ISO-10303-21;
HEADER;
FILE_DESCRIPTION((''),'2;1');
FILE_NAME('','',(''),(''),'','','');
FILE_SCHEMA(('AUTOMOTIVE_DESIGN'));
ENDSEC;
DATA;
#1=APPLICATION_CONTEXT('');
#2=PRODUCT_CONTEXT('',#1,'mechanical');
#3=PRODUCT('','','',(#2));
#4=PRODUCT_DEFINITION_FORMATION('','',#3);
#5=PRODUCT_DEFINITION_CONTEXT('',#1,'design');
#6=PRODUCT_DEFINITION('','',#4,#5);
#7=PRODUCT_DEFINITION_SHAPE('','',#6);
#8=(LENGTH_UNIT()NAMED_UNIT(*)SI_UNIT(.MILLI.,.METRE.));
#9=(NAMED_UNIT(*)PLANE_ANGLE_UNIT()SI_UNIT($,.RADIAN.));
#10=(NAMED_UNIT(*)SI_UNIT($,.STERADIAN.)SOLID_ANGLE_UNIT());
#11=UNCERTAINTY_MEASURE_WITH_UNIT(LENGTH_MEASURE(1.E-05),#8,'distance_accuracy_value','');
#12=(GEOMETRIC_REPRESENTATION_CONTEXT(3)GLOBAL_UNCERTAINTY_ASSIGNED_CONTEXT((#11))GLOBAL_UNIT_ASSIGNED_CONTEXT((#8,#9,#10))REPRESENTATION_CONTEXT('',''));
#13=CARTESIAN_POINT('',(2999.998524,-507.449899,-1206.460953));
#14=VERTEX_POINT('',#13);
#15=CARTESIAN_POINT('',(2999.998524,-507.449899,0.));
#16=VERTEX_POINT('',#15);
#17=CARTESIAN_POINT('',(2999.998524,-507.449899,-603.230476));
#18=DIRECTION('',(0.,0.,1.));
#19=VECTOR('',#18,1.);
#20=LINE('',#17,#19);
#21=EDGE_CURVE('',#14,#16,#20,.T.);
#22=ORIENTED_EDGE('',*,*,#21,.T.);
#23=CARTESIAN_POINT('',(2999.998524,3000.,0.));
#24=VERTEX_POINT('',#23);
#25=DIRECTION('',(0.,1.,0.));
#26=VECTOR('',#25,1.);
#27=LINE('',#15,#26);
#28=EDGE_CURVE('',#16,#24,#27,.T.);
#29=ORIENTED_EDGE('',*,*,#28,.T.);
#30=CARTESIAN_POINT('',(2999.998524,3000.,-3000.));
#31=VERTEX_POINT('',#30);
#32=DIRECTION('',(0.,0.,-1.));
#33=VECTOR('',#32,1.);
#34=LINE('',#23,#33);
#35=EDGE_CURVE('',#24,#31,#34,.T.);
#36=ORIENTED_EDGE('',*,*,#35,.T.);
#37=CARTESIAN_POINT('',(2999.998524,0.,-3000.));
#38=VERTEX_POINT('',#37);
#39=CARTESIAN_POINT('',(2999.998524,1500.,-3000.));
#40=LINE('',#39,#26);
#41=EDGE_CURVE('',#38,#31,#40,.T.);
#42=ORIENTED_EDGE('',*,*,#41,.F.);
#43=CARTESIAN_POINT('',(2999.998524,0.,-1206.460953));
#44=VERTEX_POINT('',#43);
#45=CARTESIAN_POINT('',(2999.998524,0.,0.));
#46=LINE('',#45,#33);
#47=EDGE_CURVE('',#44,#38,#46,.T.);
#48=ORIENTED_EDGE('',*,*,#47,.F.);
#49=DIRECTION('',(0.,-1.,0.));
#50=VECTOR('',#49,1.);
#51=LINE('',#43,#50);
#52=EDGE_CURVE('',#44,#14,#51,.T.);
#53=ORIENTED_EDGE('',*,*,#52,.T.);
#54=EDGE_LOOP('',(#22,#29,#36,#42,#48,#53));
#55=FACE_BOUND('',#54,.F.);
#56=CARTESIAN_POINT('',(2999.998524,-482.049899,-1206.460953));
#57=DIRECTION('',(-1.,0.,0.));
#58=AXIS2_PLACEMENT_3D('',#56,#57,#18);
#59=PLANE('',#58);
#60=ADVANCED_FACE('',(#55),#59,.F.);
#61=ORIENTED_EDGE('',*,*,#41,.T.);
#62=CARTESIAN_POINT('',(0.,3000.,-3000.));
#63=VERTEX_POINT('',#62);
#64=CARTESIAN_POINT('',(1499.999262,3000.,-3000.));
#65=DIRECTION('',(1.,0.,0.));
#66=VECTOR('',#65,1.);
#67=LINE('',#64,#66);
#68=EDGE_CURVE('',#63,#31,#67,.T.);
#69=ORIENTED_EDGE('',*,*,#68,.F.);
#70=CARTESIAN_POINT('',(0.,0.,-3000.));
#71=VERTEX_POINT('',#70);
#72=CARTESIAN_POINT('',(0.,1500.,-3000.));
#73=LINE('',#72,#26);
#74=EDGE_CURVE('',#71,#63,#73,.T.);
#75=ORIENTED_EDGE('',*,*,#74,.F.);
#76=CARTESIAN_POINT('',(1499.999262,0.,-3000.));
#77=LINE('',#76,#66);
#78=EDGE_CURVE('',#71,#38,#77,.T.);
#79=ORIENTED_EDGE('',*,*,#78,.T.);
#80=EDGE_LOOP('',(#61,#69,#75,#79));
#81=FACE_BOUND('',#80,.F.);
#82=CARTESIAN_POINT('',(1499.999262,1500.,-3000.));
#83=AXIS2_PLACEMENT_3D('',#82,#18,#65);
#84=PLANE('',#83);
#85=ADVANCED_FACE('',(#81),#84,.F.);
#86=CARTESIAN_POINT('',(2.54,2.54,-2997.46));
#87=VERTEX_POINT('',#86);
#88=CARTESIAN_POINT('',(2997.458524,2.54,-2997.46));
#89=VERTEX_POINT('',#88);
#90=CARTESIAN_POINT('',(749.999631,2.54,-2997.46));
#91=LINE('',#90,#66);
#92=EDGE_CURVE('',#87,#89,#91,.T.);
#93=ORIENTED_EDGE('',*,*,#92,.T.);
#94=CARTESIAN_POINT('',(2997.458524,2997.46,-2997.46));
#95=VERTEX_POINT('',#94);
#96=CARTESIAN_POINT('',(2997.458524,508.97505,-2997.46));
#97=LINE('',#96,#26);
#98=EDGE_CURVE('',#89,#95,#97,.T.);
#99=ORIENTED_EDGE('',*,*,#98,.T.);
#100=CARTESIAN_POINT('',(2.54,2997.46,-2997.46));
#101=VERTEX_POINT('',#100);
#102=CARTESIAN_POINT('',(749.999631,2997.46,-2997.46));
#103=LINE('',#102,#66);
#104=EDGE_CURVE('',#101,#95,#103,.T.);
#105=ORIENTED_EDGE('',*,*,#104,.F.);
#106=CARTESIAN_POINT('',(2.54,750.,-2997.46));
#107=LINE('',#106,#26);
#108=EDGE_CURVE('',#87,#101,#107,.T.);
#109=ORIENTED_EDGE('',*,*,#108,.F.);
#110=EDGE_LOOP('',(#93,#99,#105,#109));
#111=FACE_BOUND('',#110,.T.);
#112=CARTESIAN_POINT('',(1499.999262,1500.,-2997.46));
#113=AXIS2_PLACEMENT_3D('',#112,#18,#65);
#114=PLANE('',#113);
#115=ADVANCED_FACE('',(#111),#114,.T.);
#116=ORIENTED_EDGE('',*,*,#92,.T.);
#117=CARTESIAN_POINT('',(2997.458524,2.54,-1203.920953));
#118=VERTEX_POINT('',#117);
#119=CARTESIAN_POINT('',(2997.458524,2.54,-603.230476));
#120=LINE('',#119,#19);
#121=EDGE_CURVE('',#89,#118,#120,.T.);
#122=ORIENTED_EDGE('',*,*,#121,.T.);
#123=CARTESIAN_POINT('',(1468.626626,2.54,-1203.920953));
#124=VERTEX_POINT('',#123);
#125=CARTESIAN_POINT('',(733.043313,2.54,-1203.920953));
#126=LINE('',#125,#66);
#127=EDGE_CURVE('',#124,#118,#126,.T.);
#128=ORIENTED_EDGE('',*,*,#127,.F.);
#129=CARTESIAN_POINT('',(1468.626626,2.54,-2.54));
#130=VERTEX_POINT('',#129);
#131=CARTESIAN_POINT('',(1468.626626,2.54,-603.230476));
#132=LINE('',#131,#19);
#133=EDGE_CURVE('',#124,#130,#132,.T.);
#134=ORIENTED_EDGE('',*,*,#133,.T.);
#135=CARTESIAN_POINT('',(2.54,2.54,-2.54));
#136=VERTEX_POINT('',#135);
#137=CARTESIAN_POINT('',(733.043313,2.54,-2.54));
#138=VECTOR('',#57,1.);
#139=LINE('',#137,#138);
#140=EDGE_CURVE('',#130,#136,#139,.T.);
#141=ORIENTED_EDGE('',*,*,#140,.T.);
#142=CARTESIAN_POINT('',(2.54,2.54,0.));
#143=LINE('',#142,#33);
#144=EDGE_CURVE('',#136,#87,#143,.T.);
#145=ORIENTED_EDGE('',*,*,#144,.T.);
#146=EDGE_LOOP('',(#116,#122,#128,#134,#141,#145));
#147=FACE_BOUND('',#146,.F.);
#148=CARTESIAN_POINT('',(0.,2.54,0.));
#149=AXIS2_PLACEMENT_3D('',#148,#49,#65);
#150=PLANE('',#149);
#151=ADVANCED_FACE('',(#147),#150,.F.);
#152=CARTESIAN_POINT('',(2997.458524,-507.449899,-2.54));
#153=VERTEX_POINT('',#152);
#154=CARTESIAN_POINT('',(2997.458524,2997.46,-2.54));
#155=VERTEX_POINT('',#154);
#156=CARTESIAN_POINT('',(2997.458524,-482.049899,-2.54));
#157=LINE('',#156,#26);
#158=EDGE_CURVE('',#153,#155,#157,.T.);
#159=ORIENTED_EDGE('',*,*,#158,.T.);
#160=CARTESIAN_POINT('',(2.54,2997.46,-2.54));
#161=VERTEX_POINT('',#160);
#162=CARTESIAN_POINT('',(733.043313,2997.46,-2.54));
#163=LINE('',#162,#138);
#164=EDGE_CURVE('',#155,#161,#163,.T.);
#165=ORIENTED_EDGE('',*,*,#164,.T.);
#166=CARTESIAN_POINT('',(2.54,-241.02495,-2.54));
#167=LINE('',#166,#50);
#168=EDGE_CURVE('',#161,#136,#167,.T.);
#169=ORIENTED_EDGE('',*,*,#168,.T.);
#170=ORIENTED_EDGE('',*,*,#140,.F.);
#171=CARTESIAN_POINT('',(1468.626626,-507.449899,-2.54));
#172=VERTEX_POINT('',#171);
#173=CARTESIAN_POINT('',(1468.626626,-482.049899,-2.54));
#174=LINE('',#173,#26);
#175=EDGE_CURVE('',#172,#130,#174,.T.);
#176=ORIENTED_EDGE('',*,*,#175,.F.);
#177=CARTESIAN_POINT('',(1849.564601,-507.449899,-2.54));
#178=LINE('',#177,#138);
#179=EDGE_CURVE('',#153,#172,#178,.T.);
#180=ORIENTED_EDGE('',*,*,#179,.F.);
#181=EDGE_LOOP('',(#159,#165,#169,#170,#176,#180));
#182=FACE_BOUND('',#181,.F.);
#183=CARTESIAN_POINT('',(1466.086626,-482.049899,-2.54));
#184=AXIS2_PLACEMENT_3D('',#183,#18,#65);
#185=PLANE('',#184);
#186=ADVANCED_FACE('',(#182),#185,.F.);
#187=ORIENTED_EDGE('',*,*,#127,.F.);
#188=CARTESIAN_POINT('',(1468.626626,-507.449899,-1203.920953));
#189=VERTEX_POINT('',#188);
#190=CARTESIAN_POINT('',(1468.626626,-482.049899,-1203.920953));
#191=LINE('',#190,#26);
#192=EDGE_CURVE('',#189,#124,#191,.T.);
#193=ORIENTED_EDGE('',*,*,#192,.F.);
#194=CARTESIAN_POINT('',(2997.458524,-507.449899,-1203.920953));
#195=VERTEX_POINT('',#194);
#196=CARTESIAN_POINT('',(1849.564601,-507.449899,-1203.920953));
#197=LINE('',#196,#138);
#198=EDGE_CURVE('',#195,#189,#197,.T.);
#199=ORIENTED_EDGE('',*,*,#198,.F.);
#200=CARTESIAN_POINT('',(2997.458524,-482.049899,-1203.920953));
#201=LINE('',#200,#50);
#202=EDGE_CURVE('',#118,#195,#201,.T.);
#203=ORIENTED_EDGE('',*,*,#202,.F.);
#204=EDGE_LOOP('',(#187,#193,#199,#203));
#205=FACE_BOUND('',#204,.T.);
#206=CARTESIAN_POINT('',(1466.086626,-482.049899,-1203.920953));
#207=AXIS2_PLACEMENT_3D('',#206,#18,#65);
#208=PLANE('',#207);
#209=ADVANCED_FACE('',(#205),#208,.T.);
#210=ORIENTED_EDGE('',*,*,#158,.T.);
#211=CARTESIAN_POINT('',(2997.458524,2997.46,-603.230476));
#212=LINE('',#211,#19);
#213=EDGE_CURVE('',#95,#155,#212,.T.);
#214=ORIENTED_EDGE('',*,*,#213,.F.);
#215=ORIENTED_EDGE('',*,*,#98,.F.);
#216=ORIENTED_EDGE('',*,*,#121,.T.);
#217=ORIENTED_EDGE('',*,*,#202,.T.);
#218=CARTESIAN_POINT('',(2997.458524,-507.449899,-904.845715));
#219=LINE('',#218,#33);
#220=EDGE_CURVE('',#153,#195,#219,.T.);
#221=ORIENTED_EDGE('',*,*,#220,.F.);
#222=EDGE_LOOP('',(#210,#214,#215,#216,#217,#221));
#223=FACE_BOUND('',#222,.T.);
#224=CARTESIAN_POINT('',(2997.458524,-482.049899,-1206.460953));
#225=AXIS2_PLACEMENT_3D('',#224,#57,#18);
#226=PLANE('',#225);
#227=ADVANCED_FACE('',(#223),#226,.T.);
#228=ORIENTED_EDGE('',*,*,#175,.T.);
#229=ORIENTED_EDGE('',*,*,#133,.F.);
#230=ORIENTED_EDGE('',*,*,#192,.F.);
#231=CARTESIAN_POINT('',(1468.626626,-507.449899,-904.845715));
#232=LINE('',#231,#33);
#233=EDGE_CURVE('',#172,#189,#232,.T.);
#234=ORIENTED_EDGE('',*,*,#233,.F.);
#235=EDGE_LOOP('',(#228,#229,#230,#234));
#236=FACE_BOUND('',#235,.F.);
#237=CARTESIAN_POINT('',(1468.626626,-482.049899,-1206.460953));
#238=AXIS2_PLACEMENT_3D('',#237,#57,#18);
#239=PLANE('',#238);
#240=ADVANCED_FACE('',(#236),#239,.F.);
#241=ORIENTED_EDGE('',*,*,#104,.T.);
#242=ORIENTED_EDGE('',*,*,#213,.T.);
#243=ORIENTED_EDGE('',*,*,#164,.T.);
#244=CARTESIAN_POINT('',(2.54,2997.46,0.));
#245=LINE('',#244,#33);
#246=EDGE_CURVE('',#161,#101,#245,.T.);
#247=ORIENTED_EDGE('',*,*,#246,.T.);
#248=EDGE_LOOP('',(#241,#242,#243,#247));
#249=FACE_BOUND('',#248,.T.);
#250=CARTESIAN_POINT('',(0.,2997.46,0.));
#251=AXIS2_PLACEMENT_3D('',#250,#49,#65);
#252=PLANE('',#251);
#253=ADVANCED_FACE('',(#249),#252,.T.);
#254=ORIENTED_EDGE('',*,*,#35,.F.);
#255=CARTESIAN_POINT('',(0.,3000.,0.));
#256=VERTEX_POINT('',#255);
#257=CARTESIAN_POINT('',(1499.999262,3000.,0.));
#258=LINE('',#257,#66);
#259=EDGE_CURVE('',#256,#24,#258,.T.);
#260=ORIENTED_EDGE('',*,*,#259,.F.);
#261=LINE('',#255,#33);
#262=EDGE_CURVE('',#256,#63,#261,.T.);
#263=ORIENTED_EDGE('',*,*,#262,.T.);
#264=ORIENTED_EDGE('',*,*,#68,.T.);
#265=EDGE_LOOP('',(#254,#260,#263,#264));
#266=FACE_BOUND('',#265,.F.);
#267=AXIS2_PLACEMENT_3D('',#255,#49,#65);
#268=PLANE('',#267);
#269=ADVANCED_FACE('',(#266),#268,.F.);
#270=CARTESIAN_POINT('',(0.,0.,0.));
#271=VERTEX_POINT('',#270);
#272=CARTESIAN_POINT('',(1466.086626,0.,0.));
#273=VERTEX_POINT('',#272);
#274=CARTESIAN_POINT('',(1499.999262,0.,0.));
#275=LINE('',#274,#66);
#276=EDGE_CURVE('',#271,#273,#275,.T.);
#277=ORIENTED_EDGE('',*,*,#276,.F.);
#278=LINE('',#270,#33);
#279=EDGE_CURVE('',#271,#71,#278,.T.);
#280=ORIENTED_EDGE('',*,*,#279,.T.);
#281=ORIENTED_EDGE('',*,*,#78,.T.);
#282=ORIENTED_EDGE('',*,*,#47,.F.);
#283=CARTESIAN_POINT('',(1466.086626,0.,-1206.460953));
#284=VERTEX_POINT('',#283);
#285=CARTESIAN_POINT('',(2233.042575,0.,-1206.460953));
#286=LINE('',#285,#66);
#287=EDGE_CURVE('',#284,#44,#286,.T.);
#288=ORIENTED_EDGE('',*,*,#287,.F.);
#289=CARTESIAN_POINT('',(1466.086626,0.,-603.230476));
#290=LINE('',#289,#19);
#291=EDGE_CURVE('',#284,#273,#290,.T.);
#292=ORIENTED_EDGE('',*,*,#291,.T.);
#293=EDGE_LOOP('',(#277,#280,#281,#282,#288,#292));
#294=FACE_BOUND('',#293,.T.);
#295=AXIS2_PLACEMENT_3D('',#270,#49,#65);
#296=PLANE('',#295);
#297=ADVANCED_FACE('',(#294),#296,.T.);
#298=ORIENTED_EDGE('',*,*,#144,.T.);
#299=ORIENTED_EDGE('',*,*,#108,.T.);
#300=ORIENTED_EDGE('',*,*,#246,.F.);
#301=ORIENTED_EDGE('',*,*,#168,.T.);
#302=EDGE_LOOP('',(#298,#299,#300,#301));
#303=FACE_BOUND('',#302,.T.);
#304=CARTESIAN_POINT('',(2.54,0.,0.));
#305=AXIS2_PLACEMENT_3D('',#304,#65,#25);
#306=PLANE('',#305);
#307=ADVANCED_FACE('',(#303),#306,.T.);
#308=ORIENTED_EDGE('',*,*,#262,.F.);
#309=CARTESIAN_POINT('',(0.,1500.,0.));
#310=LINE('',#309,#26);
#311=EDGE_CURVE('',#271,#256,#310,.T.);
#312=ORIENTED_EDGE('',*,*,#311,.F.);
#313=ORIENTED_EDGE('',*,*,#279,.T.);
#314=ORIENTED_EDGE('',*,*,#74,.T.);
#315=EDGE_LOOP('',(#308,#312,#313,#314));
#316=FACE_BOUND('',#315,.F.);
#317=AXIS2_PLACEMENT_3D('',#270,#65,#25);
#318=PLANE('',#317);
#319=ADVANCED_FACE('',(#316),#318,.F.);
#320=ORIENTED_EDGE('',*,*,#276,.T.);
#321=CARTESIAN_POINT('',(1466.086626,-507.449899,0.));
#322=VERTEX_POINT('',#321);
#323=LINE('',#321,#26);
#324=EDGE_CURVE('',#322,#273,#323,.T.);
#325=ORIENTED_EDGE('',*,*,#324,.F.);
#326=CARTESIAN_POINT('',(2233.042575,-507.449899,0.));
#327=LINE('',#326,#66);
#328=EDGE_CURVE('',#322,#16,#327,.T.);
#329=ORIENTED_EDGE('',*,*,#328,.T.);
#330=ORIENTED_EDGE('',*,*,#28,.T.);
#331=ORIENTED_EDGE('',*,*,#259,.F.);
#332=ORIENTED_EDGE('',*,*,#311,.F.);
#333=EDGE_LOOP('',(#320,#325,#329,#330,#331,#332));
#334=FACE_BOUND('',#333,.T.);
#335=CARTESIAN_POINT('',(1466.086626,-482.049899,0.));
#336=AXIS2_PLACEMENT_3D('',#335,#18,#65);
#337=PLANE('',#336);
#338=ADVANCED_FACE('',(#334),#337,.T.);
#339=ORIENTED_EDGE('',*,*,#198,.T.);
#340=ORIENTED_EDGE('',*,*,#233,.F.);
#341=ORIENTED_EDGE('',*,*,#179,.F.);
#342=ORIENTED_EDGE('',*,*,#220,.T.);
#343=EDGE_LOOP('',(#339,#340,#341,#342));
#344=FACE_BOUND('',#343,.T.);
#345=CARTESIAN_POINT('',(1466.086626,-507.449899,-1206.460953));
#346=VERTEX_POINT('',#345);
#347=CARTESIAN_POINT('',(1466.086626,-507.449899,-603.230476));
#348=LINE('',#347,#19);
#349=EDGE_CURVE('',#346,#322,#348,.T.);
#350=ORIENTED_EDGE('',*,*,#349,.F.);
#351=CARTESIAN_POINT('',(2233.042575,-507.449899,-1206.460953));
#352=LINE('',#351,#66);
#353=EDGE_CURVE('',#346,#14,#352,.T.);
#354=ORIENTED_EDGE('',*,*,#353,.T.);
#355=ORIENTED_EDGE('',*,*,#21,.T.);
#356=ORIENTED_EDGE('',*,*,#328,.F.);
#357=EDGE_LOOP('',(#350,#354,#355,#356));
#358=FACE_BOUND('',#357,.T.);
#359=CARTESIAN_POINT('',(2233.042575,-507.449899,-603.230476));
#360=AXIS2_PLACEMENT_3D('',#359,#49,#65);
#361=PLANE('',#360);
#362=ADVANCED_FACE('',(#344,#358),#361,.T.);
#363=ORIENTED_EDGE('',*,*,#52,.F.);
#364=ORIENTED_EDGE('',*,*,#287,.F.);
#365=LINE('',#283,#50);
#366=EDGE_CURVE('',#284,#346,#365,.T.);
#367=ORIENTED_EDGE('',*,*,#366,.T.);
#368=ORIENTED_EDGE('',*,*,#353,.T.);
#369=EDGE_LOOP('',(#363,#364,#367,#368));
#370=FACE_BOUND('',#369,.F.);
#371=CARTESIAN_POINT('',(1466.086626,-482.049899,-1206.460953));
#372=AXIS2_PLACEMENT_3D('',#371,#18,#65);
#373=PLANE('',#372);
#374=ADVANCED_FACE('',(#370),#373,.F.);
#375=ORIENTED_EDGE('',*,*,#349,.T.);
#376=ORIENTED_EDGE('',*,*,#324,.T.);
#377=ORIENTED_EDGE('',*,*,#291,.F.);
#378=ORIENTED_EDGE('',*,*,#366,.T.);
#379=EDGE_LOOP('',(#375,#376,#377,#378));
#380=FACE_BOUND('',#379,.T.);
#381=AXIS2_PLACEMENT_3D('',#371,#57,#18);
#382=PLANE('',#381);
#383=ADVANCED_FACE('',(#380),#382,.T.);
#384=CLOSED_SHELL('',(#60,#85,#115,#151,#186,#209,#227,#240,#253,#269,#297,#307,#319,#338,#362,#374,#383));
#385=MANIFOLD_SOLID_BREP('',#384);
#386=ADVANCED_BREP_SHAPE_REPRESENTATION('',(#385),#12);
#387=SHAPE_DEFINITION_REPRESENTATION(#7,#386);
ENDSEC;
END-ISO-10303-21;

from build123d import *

# Parameters (mm, degrees)
F0_W     = 2999.9985240894
F0_H     = 3000
F2_DEPTH = 3000
F3_W     = 1533.9118980365
F3_H     = 1206.4609527588
F4_DEPTH = 456.6498994827
F6_DEPTH = 7.7816080302
F7_DEPTH = 25.4
F8_DEPTH = 25.4
F9_T     = -2.54


with BuildPart() as f2:
    # F0 (on Top) → F2 (new body)
    with BuildSketch(Plane.XY):
        with Locations((1499.9992620447, 1500)):
            Rectangle(F0_W, F0_H)
    extrude(amount=-F2_DEPTH)

    # F3 (on face) → F4 (join)
    with BuildSketch(Plane.XZ):
        with Locations((2233.0425750711, -603.2304763794)):
            Rectangle(F3_W, F3_H)
    extrude(amount=F4_DEPTH)

    # F6 (add): a face of the model
    f6_faces = [f2.faces().sort_by_distance(p)[0] for p in [
        (2233.0425750711, -456.6498994827, -603.2304763794),
    ]]
    extrude(f6_faces, amount=-F6_DEPTH)

    # F7 (add): a face of the model
    f7_faces = [f2.faces().sort_by_distance(p)[0] for p in [
        (2233.0425750711, -456.6498994827, -603.2304763794),
    ]]
    extrude(f7_faces, amount=F7_DEPTH)

    # F8 (add): a face of the model
    f8_faces = [f2.faces().sort_by_distance(p)[0] for p in [
        (2233.0425750711, -482.0498994827, -603.2304763794),
    ]]
    extrude(f8_faces, amount=F8_DEPTH)

    # F9
    f9_openings = [f2.faces().sort_by_distance(p)[0] for p in [
        (2233.042575, -507.449899, -603.230476),
    ]]
    offset(amount=F9_T, openings=f9_openings, kind=Kind.INTERSECTION)


solid = f2.part
